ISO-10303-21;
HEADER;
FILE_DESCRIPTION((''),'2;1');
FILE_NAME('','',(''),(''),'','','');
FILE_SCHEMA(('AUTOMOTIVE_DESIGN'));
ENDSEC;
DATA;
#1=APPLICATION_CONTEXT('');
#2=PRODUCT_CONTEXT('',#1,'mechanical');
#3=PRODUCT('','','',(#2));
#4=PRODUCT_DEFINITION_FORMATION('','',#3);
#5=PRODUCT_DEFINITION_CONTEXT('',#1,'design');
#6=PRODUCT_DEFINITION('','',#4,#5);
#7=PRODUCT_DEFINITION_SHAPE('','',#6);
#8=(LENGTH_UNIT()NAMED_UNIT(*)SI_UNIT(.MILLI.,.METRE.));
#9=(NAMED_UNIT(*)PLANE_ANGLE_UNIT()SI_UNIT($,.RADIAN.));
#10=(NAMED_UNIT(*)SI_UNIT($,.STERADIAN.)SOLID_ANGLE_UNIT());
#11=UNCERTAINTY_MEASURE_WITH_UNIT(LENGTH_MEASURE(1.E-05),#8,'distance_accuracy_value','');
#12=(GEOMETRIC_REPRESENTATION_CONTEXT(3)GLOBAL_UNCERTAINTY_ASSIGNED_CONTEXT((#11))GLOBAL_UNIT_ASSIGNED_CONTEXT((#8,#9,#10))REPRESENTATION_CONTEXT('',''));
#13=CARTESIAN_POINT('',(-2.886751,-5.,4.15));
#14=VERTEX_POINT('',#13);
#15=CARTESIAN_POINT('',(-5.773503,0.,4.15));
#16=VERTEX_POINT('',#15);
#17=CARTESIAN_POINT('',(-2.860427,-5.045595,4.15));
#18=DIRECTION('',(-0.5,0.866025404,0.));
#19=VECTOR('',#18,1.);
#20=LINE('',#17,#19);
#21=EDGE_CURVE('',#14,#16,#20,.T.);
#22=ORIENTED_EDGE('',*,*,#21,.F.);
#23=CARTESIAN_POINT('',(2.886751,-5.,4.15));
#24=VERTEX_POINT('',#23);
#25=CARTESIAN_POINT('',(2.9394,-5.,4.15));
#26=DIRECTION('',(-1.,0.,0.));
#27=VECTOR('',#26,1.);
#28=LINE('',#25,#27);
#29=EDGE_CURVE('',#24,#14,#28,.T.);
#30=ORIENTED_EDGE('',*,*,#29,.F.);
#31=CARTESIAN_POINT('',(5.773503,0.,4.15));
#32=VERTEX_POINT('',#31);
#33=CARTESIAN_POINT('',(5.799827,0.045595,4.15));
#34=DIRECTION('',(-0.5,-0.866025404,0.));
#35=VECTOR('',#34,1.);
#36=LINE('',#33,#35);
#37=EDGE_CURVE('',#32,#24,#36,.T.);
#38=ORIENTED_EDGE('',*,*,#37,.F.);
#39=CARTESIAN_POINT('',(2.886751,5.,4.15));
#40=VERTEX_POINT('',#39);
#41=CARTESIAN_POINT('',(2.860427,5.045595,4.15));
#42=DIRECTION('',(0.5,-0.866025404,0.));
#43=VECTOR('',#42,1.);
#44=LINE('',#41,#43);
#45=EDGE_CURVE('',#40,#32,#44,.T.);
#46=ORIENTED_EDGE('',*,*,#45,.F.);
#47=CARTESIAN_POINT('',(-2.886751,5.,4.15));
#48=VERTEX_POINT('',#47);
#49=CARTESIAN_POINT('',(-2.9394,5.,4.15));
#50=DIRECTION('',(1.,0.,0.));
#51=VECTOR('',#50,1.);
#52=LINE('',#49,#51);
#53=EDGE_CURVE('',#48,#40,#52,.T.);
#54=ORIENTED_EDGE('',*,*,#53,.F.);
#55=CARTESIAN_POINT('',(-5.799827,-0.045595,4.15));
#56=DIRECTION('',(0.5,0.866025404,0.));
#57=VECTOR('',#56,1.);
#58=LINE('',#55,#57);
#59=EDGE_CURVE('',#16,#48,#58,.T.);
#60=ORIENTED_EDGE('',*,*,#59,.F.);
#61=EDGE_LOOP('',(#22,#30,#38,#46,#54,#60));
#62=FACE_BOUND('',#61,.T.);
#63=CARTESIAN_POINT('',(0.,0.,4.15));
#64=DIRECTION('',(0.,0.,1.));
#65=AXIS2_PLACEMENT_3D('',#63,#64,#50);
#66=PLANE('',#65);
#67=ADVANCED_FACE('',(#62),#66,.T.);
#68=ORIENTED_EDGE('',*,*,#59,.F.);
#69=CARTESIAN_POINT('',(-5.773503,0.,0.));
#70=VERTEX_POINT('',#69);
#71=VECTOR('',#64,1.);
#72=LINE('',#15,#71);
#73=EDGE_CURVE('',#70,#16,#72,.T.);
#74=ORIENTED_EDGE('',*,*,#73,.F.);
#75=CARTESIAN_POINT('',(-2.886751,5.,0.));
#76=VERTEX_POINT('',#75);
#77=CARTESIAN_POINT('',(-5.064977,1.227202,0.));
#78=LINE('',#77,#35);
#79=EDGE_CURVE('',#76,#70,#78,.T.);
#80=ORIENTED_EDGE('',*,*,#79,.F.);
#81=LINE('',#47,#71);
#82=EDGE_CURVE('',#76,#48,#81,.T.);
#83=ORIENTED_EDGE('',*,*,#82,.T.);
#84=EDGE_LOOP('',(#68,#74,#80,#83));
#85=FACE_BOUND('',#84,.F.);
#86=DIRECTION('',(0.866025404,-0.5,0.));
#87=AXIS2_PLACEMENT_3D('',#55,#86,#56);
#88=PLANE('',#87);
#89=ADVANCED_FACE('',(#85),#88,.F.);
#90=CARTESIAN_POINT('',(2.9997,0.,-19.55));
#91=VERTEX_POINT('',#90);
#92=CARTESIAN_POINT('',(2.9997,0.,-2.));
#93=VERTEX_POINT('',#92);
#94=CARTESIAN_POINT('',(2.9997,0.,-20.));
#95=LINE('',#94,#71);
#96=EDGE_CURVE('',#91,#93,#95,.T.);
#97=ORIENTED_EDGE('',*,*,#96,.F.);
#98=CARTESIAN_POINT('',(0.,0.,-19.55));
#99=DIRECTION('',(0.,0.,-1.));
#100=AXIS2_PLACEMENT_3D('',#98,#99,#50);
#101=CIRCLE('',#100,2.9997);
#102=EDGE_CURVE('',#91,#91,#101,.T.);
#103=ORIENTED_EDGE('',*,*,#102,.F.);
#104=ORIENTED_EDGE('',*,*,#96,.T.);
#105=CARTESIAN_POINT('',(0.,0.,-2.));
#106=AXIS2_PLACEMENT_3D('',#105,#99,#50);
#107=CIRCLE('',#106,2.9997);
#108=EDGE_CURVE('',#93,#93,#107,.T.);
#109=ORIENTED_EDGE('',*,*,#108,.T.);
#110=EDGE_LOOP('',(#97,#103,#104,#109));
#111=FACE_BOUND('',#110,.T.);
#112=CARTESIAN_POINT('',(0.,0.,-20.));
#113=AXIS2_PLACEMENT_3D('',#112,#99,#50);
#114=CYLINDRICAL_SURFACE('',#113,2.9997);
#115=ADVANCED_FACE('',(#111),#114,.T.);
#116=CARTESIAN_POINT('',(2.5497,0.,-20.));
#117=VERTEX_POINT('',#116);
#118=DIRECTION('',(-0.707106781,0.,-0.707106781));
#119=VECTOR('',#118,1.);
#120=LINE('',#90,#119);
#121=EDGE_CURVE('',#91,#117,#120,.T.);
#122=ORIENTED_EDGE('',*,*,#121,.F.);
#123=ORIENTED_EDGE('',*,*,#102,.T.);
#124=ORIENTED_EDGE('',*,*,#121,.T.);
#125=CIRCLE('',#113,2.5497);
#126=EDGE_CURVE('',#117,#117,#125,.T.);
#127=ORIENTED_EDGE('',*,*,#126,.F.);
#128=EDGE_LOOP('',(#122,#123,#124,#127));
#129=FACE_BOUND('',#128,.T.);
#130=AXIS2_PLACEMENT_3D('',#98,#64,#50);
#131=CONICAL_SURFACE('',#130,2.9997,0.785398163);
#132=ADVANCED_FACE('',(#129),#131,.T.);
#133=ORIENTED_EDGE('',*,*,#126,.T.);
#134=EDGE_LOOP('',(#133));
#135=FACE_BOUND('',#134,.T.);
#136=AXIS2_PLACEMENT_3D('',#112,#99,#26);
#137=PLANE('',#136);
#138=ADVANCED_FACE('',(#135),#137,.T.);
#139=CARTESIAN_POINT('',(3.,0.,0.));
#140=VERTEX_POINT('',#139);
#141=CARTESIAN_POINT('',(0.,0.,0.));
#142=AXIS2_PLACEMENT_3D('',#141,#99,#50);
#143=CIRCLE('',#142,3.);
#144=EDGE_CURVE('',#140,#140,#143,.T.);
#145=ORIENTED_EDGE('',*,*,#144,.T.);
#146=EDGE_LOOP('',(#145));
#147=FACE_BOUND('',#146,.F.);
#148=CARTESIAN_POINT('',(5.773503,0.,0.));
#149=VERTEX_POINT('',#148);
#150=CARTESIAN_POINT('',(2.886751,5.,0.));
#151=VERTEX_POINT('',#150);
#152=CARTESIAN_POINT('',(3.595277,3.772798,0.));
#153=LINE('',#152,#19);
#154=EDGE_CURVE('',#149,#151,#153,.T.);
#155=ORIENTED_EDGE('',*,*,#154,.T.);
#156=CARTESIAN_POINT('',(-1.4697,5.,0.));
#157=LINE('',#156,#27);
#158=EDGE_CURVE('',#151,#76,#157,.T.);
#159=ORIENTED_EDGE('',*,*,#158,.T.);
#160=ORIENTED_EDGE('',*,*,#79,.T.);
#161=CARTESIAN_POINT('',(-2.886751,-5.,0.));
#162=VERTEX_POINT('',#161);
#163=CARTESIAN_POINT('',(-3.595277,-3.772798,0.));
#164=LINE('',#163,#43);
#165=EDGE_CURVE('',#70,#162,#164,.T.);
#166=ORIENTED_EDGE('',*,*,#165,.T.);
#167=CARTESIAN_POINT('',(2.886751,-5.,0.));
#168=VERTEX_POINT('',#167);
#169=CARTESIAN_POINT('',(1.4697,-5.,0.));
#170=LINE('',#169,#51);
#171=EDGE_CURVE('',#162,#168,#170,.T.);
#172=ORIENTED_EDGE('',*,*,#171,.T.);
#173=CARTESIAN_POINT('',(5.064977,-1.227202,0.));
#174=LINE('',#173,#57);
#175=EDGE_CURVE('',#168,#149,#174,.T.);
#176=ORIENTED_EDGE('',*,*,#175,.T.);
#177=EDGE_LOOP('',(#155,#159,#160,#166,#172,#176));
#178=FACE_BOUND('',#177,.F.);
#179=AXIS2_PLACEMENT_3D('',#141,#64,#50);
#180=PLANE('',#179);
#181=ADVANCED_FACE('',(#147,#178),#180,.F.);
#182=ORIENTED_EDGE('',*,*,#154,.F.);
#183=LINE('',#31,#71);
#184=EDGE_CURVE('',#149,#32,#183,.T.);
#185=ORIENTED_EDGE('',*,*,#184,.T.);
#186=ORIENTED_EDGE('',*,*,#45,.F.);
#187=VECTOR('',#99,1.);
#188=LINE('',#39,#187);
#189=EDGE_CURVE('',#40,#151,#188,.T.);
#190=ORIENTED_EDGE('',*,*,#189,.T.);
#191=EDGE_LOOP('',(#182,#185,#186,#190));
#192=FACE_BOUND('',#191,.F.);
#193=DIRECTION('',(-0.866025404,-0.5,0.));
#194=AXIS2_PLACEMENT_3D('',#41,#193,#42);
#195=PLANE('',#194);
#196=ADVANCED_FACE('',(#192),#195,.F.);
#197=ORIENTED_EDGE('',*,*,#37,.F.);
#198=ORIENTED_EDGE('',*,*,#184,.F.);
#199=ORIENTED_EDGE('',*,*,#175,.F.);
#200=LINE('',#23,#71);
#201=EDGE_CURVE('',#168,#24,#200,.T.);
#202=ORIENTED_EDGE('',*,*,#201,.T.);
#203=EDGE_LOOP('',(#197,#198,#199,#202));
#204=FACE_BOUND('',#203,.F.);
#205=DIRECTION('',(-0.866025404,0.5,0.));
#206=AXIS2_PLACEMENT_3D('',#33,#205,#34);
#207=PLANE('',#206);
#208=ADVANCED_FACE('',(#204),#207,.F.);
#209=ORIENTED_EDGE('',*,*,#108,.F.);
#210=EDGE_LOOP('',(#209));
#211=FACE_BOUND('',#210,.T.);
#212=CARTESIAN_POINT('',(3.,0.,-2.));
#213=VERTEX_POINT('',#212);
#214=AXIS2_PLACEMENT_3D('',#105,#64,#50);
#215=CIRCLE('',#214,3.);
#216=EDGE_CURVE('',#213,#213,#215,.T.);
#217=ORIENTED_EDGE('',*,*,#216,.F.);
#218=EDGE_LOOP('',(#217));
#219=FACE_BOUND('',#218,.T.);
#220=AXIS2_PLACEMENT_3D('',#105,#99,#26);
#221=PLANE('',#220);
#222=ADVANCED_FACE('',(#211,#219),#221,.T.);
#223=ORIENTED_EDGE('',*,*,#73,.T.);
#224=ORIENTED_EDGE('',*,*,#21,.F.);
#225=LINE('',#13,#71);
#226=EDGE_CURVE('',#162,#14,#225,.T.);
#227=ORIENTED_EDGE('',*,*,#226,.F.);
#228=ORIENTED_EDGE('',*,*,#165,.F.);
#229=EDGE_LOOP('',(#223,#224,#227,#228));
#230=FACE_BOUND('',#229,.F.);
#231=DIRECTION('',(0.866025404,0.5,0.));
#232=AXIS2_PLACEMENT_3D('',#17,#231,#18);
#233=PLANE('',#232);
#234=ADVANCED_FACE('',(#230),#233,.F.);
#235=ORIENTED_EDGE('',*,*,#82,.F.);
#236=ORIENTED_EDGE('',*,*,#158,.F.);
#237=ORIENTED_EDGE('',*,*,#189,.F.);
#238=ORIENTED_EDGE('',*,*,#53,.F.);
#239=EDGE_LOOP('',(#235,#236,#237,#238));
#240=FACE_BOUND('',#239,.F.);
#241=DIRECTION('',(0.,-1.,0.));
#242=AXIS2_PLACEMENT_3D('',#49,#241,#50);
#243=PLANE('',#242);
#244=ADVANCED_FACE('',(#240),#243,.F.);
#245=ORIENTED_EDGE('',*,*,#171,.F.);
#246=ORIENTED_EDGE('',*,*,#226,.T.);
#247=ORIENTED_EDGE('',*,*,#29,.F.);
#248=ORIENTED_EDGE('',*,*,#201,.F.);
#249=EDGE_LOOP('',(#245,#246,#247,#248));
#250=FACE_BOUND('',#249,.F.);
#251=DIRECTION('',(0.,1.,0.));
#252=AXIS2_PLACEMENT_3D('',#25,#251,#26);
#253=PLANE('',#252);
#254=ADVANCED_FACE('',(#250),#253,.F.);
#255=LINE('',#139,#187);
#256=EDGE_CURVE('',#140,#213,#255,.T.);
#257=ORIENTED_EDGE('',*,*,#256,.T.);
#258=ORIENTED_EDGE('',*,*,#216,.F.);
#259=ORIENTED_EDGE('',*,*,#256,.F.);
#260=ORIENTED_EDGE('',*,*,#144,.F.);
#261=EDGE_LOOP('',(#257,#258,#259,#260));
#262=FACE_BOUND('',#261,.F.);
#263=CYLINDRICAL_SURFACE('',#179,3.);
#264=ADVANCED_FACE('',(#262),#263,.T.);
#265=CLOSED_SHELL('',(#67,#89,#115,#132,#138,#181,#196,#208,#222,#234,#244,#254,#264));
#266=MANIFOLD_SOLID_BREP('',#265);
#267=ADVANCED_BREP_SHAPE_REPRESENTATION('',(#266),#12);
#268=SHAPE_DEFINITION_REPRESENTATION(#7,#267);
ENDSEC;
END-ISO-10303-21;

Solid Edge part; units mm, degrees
sketch "Sketch1" plane through (0, 0, 0) normal (0, 0, 1) x (1, 0, 0)
  circle A0 centre (0, 0) radius 5.8
  dimension "D1" = 11.6
extrude "Protrusion1" add sketch "Sketch1" along normal blind 4.15
sketch "Sketch2" plane through (0, 0, 0) normal (0, 0, -1) x (1, 0, 0)
  circle A0 centre (0, 0) radius 3
extrude "Protrusion2" add sketch "Sketch2" along normal blind 20
sketch "Sketch3" plane through (0, 0, -20) normal (0, 0, -1) x (1, 0, 0)
  circle A0 centre (0, 0) radius 2.9997
extrude "Cutout1" cut sketch "Sketch3" against normal blind 18 flip side to cut
chamfer "Chamfer_1" distance 0.45 angle 45 1 edges at (-2.9997, 0, -20)
sketch "Sketch4" plane through (0, 0, 4.15) normal (0, 0, 1) x (1, 0, 0)
  line L0 (-2.9394, 5) -> (2.9394, 5)
  dimension "D1" = 10
extrude "Cutout2" cut sketch "Sketch4" against normal up to next material side at (0, 5.05, 4.15)
pattern_circular "Pattern1" count 6 over 360 about axis through (0, 0, 4.15) along (0, 0, 1) of "Cutout2"
properties part number "24101194"
